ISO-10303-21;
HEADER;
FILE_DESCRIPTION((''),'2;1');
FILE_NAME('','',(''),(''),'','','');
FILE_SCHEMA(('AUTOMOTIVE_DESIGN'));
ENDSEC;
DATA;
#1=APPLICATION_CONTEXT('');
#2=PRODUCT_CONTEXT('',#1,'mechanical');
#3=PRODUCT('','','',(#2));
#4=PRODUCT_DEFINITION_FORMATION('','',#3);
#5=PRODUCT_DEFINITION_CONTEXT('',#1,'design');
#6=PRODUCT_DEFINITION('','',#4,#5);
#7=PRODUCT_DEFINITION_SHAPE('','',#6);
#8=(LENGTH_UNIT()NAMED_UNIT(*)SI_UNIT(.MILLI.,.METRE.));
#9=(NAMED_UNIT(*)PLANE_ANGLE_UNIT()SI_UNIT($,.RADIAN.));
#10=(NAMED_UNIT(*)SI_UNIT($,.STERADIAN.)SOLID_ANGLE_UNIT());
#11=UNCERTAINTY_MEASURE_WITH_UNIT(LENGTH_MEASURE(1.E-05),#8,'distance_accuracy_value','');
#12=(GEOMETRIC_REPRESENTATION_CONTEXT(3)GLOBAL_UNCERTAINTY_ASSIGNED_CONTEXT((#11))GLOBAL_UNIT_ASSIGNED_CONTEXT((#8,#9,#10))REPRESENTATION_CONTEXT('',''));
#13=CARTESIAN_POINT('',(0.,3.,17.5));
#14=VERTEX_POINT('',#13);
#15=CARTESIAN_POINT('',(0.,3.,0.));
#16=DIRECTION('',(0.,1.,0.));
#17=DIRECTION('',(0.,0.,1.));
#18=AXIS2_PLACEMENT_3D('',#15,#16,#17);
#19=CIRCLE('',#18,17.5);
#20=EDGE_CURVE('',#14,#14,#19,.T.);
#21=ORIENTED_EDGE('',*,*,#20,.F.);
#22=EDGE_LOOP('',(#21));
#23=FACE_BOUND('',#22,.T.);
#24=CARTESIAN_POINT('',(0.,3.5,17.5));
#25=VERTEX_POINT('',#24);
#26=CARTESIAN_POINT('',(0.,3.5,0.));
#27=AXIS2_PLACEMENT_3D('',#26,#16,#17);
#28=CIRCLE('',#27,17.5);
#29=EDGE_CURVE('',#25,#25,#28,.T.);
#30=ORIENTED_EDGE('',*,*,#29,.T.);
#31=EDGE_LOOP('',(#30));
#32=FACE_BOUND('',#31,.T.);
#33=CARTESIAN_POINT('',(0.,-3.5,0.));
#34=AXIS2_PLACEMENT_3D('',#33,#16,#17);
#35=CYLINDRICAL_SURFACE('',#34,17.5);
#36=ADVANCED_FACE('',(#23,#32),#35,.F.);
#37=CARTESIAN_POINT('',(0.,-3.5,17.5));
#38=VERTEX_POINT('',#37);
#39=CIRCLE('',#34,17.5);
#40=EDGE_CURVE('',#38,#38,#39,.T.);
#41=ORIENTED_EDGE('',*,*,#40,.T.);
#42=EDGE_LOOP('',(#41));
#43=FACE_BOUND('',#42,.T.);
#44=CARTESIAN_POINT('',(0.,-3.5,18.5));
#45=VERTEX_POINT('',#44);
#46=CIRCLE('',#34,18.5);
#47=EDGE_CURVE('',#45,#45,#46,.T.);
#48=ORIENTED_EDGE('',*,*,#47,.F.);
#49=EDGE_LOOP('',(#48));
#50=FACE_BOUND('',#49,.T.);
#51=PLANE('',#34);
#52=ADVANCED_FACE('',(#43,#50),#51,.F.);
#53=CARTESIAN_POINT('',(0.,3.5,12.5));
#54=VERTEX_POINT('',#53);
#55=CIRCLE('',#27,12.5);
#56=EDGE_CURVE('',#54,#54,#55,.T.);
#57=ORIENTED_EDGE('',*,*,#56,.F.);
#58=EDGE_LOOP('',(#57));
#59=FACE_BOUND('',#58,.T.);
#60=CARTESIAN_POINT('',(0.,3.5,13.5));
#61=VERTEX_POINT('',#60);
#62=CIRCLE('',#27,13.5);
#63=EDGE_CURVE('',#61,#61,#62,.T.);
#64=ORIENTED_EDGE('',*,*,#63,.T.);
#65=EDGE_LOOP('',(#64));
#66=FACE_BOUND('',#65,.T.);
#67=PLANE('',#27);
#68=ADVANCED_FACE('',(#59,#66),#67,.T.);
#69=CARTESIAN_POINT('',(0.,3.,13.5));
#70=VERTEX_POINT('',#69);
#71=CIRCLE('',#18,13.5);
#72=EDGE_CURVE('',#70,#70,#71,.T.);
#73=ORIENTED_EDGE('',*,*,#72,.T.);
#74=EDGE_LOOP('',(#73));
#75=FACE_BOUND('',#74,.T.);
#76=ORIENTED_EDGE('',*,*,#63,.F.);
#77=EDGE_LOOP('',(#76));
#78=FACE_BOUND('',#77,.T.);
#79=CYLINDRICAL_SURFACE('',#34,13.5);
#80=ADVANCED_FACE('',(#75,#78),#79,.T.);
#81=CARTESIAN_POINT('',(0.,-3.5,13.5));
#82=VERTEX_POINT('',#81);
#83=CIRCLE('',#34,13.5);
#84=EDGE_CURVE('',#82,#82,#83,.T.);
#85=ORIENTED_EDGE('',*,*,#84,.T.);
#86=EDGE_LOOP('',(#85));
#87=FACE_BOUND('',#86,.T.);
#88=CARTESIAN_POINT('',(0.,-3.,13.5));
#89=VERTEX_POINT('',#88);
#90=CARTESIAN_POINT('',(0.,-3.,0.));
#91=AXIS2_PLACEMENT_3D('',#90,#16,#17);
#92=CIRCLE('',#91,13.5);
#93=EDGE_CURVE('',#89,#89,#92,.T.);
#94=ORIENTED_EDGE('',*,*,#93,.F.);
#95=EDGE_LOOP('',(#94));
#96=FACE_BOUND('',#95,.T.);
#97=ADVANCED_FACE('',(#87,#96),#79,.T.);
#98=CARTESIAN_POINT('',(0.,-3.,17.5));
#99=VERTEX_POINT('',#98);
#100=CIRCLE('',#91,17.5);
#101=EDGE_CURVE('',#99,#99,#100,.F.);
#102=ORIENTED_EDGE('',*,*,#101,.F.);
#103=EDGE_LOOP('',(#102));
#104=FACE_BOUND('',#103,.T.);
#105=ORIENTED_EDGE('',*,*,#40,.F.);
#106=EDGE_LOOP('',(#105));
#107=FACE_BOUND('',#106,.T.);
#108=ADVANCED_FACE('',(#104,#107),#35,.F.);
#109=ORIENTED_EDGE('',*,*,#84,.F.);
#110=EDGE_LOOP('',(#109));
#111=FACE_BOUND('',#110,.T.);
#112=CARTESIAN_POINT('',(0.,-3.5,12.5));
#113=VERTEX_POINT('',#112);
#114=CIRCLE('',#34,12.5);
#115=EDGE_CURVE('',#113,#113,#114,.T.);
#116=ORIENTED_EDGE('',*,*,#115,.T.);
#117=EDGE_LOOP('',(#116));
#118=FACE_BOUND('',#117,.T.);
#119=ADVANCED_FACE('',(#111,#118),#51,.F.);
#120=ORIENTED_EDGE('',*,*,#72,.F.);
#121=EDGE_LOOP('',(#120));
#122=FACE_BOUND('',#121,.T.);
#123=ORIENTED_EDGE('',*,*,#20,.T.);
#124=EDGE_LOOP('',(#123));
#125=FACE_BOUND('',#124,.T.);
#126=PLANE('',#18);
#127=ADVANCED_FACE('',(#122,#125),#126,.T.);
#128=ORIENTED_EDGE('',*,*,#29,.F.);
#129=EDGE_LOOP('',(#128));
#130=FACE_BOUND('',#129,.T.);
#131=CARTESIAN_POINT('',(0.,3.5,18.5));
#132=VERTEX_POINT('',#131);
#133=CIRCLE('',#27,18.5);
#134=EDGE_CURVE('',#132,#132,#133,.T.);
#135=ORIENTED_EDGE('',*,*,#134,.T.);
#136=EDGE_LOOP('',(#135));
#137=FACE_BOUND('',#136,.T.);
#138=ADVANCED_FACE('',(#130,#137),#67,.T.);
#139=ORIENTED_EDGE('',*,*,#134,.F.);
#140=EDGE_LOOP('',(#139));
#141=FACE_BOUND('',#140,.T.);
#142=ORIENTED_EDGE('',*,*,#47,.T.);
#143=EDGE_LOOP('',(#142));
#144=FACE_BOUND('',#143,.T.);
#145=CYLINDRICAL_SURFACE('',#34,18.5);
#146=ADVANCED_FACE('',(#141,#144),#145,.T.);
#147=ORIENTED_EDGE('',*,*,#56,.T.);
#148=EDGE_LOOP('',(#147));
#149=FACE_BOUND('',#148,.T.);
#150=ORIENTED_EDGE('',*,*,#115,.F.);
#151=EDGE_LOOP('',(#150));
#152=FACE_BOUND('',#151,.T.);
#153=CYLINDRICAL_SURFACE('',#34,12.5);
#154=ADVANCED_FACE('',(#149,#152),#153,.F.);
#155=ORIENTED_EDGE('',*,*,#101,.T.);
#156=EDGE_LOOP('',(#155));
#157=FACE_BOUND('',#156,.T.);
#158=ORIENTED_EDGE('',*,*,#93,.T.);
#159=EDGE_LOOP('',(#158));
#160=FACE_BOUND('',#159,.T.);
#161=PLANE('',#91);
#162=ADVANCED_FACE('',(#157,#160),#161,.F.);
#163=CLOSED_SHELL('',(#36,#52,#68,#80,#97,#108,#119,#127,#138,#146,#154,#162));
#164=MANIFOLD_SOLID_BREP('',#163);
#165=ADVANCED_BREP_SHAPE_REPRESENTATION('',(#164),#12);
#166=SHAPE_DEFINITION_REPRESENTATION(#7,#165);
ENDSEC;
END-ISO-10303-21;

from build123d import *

# Parameters (mm, degrees)
EXTRUDE_1_DEPTH        = 3.5
EXTRUDE_1_DEPTH_BACK   = 3.5
SKETCH_1_R             = 13.5
SKETCH_1_R_2           = 12.5
EXTRUDE_1_2_DEPTH      = 3.5
EXTRUDE_1_2_DEPTH_BACK = 3.5
SKETCH_1_R_3           = 18.5
SKETCH_1_R_4           = 17.5
EXTRUDE_2_DEPTH        = 3
EXTRUDE_2_DEPTH_BACK   = 3
SKETCH_2_R             = 17.5
SKETCH_2_R_2           = 13.5


with BuildPart() as part:
    # 草图1 → 凸台-拉伸1 (new, two sides: drawn at the far end of the back side and taken through both)
    with BuildSketch(Plane(origin=(0, 0, 0), x_dir=(1, 0, 0), z_dir=(0, 1, 0)).offset(-EXTRUDE_1_DEPTH_BACK)):
        Circle(SKETCH_1_R)
        Circle(SKETCH_1_R_2, mode=Mode.SUBTRACT)
    extrude(amount=EXTRUDE_1_DEPTH + EXTRUDE_1_DEPTH_BACK)



with BuildPart() as body_2:
    # 草图1 → Extrude 1 2 (new, two sides: drawn at the far end of the back side and taken through both)
    with BuildSketch(Plane(origin=(0, 0, 0), x_dir=(1, 0, 0), z_dir=(0, 1, 0)).offset(-EXTRUDE_1_2_DEPTH_BACK)):
        Circle(SKETCH_1_R_3)
        Circle(SKETCH_1_R_4, mode=Mode.SUBTRACT)
    extrude(amount=EXTRUDE_1_2_DEPTH + EXTRUDE_1_2_DEPTH_BACK)


with BuildPart() as part_1:
    add(part.part)

    add(body_2.part)  # 凸台-拉伸2 merges body 2
    # 草图2 → 凸台-拉伸2 (add, two sides: drawn at the far end of the back side and taken through both)
    with BuildSketch(Plane(origin=(0, 0, 0), x_dir=(1, 0, 0), z_dir=(0, 1, 0)).offset(-EXTRUDE_2_DEPTH_BACK)):
        Circle(SKETCH_2_R)
        Circle(SKETCH_2_R_2, mode=Mode.SUBTRACT)
    extrude(amount=EXTRUDE_2_DEPTH + EXTRUDE_2_DEPTH_BACK)


solid = part_1.part
